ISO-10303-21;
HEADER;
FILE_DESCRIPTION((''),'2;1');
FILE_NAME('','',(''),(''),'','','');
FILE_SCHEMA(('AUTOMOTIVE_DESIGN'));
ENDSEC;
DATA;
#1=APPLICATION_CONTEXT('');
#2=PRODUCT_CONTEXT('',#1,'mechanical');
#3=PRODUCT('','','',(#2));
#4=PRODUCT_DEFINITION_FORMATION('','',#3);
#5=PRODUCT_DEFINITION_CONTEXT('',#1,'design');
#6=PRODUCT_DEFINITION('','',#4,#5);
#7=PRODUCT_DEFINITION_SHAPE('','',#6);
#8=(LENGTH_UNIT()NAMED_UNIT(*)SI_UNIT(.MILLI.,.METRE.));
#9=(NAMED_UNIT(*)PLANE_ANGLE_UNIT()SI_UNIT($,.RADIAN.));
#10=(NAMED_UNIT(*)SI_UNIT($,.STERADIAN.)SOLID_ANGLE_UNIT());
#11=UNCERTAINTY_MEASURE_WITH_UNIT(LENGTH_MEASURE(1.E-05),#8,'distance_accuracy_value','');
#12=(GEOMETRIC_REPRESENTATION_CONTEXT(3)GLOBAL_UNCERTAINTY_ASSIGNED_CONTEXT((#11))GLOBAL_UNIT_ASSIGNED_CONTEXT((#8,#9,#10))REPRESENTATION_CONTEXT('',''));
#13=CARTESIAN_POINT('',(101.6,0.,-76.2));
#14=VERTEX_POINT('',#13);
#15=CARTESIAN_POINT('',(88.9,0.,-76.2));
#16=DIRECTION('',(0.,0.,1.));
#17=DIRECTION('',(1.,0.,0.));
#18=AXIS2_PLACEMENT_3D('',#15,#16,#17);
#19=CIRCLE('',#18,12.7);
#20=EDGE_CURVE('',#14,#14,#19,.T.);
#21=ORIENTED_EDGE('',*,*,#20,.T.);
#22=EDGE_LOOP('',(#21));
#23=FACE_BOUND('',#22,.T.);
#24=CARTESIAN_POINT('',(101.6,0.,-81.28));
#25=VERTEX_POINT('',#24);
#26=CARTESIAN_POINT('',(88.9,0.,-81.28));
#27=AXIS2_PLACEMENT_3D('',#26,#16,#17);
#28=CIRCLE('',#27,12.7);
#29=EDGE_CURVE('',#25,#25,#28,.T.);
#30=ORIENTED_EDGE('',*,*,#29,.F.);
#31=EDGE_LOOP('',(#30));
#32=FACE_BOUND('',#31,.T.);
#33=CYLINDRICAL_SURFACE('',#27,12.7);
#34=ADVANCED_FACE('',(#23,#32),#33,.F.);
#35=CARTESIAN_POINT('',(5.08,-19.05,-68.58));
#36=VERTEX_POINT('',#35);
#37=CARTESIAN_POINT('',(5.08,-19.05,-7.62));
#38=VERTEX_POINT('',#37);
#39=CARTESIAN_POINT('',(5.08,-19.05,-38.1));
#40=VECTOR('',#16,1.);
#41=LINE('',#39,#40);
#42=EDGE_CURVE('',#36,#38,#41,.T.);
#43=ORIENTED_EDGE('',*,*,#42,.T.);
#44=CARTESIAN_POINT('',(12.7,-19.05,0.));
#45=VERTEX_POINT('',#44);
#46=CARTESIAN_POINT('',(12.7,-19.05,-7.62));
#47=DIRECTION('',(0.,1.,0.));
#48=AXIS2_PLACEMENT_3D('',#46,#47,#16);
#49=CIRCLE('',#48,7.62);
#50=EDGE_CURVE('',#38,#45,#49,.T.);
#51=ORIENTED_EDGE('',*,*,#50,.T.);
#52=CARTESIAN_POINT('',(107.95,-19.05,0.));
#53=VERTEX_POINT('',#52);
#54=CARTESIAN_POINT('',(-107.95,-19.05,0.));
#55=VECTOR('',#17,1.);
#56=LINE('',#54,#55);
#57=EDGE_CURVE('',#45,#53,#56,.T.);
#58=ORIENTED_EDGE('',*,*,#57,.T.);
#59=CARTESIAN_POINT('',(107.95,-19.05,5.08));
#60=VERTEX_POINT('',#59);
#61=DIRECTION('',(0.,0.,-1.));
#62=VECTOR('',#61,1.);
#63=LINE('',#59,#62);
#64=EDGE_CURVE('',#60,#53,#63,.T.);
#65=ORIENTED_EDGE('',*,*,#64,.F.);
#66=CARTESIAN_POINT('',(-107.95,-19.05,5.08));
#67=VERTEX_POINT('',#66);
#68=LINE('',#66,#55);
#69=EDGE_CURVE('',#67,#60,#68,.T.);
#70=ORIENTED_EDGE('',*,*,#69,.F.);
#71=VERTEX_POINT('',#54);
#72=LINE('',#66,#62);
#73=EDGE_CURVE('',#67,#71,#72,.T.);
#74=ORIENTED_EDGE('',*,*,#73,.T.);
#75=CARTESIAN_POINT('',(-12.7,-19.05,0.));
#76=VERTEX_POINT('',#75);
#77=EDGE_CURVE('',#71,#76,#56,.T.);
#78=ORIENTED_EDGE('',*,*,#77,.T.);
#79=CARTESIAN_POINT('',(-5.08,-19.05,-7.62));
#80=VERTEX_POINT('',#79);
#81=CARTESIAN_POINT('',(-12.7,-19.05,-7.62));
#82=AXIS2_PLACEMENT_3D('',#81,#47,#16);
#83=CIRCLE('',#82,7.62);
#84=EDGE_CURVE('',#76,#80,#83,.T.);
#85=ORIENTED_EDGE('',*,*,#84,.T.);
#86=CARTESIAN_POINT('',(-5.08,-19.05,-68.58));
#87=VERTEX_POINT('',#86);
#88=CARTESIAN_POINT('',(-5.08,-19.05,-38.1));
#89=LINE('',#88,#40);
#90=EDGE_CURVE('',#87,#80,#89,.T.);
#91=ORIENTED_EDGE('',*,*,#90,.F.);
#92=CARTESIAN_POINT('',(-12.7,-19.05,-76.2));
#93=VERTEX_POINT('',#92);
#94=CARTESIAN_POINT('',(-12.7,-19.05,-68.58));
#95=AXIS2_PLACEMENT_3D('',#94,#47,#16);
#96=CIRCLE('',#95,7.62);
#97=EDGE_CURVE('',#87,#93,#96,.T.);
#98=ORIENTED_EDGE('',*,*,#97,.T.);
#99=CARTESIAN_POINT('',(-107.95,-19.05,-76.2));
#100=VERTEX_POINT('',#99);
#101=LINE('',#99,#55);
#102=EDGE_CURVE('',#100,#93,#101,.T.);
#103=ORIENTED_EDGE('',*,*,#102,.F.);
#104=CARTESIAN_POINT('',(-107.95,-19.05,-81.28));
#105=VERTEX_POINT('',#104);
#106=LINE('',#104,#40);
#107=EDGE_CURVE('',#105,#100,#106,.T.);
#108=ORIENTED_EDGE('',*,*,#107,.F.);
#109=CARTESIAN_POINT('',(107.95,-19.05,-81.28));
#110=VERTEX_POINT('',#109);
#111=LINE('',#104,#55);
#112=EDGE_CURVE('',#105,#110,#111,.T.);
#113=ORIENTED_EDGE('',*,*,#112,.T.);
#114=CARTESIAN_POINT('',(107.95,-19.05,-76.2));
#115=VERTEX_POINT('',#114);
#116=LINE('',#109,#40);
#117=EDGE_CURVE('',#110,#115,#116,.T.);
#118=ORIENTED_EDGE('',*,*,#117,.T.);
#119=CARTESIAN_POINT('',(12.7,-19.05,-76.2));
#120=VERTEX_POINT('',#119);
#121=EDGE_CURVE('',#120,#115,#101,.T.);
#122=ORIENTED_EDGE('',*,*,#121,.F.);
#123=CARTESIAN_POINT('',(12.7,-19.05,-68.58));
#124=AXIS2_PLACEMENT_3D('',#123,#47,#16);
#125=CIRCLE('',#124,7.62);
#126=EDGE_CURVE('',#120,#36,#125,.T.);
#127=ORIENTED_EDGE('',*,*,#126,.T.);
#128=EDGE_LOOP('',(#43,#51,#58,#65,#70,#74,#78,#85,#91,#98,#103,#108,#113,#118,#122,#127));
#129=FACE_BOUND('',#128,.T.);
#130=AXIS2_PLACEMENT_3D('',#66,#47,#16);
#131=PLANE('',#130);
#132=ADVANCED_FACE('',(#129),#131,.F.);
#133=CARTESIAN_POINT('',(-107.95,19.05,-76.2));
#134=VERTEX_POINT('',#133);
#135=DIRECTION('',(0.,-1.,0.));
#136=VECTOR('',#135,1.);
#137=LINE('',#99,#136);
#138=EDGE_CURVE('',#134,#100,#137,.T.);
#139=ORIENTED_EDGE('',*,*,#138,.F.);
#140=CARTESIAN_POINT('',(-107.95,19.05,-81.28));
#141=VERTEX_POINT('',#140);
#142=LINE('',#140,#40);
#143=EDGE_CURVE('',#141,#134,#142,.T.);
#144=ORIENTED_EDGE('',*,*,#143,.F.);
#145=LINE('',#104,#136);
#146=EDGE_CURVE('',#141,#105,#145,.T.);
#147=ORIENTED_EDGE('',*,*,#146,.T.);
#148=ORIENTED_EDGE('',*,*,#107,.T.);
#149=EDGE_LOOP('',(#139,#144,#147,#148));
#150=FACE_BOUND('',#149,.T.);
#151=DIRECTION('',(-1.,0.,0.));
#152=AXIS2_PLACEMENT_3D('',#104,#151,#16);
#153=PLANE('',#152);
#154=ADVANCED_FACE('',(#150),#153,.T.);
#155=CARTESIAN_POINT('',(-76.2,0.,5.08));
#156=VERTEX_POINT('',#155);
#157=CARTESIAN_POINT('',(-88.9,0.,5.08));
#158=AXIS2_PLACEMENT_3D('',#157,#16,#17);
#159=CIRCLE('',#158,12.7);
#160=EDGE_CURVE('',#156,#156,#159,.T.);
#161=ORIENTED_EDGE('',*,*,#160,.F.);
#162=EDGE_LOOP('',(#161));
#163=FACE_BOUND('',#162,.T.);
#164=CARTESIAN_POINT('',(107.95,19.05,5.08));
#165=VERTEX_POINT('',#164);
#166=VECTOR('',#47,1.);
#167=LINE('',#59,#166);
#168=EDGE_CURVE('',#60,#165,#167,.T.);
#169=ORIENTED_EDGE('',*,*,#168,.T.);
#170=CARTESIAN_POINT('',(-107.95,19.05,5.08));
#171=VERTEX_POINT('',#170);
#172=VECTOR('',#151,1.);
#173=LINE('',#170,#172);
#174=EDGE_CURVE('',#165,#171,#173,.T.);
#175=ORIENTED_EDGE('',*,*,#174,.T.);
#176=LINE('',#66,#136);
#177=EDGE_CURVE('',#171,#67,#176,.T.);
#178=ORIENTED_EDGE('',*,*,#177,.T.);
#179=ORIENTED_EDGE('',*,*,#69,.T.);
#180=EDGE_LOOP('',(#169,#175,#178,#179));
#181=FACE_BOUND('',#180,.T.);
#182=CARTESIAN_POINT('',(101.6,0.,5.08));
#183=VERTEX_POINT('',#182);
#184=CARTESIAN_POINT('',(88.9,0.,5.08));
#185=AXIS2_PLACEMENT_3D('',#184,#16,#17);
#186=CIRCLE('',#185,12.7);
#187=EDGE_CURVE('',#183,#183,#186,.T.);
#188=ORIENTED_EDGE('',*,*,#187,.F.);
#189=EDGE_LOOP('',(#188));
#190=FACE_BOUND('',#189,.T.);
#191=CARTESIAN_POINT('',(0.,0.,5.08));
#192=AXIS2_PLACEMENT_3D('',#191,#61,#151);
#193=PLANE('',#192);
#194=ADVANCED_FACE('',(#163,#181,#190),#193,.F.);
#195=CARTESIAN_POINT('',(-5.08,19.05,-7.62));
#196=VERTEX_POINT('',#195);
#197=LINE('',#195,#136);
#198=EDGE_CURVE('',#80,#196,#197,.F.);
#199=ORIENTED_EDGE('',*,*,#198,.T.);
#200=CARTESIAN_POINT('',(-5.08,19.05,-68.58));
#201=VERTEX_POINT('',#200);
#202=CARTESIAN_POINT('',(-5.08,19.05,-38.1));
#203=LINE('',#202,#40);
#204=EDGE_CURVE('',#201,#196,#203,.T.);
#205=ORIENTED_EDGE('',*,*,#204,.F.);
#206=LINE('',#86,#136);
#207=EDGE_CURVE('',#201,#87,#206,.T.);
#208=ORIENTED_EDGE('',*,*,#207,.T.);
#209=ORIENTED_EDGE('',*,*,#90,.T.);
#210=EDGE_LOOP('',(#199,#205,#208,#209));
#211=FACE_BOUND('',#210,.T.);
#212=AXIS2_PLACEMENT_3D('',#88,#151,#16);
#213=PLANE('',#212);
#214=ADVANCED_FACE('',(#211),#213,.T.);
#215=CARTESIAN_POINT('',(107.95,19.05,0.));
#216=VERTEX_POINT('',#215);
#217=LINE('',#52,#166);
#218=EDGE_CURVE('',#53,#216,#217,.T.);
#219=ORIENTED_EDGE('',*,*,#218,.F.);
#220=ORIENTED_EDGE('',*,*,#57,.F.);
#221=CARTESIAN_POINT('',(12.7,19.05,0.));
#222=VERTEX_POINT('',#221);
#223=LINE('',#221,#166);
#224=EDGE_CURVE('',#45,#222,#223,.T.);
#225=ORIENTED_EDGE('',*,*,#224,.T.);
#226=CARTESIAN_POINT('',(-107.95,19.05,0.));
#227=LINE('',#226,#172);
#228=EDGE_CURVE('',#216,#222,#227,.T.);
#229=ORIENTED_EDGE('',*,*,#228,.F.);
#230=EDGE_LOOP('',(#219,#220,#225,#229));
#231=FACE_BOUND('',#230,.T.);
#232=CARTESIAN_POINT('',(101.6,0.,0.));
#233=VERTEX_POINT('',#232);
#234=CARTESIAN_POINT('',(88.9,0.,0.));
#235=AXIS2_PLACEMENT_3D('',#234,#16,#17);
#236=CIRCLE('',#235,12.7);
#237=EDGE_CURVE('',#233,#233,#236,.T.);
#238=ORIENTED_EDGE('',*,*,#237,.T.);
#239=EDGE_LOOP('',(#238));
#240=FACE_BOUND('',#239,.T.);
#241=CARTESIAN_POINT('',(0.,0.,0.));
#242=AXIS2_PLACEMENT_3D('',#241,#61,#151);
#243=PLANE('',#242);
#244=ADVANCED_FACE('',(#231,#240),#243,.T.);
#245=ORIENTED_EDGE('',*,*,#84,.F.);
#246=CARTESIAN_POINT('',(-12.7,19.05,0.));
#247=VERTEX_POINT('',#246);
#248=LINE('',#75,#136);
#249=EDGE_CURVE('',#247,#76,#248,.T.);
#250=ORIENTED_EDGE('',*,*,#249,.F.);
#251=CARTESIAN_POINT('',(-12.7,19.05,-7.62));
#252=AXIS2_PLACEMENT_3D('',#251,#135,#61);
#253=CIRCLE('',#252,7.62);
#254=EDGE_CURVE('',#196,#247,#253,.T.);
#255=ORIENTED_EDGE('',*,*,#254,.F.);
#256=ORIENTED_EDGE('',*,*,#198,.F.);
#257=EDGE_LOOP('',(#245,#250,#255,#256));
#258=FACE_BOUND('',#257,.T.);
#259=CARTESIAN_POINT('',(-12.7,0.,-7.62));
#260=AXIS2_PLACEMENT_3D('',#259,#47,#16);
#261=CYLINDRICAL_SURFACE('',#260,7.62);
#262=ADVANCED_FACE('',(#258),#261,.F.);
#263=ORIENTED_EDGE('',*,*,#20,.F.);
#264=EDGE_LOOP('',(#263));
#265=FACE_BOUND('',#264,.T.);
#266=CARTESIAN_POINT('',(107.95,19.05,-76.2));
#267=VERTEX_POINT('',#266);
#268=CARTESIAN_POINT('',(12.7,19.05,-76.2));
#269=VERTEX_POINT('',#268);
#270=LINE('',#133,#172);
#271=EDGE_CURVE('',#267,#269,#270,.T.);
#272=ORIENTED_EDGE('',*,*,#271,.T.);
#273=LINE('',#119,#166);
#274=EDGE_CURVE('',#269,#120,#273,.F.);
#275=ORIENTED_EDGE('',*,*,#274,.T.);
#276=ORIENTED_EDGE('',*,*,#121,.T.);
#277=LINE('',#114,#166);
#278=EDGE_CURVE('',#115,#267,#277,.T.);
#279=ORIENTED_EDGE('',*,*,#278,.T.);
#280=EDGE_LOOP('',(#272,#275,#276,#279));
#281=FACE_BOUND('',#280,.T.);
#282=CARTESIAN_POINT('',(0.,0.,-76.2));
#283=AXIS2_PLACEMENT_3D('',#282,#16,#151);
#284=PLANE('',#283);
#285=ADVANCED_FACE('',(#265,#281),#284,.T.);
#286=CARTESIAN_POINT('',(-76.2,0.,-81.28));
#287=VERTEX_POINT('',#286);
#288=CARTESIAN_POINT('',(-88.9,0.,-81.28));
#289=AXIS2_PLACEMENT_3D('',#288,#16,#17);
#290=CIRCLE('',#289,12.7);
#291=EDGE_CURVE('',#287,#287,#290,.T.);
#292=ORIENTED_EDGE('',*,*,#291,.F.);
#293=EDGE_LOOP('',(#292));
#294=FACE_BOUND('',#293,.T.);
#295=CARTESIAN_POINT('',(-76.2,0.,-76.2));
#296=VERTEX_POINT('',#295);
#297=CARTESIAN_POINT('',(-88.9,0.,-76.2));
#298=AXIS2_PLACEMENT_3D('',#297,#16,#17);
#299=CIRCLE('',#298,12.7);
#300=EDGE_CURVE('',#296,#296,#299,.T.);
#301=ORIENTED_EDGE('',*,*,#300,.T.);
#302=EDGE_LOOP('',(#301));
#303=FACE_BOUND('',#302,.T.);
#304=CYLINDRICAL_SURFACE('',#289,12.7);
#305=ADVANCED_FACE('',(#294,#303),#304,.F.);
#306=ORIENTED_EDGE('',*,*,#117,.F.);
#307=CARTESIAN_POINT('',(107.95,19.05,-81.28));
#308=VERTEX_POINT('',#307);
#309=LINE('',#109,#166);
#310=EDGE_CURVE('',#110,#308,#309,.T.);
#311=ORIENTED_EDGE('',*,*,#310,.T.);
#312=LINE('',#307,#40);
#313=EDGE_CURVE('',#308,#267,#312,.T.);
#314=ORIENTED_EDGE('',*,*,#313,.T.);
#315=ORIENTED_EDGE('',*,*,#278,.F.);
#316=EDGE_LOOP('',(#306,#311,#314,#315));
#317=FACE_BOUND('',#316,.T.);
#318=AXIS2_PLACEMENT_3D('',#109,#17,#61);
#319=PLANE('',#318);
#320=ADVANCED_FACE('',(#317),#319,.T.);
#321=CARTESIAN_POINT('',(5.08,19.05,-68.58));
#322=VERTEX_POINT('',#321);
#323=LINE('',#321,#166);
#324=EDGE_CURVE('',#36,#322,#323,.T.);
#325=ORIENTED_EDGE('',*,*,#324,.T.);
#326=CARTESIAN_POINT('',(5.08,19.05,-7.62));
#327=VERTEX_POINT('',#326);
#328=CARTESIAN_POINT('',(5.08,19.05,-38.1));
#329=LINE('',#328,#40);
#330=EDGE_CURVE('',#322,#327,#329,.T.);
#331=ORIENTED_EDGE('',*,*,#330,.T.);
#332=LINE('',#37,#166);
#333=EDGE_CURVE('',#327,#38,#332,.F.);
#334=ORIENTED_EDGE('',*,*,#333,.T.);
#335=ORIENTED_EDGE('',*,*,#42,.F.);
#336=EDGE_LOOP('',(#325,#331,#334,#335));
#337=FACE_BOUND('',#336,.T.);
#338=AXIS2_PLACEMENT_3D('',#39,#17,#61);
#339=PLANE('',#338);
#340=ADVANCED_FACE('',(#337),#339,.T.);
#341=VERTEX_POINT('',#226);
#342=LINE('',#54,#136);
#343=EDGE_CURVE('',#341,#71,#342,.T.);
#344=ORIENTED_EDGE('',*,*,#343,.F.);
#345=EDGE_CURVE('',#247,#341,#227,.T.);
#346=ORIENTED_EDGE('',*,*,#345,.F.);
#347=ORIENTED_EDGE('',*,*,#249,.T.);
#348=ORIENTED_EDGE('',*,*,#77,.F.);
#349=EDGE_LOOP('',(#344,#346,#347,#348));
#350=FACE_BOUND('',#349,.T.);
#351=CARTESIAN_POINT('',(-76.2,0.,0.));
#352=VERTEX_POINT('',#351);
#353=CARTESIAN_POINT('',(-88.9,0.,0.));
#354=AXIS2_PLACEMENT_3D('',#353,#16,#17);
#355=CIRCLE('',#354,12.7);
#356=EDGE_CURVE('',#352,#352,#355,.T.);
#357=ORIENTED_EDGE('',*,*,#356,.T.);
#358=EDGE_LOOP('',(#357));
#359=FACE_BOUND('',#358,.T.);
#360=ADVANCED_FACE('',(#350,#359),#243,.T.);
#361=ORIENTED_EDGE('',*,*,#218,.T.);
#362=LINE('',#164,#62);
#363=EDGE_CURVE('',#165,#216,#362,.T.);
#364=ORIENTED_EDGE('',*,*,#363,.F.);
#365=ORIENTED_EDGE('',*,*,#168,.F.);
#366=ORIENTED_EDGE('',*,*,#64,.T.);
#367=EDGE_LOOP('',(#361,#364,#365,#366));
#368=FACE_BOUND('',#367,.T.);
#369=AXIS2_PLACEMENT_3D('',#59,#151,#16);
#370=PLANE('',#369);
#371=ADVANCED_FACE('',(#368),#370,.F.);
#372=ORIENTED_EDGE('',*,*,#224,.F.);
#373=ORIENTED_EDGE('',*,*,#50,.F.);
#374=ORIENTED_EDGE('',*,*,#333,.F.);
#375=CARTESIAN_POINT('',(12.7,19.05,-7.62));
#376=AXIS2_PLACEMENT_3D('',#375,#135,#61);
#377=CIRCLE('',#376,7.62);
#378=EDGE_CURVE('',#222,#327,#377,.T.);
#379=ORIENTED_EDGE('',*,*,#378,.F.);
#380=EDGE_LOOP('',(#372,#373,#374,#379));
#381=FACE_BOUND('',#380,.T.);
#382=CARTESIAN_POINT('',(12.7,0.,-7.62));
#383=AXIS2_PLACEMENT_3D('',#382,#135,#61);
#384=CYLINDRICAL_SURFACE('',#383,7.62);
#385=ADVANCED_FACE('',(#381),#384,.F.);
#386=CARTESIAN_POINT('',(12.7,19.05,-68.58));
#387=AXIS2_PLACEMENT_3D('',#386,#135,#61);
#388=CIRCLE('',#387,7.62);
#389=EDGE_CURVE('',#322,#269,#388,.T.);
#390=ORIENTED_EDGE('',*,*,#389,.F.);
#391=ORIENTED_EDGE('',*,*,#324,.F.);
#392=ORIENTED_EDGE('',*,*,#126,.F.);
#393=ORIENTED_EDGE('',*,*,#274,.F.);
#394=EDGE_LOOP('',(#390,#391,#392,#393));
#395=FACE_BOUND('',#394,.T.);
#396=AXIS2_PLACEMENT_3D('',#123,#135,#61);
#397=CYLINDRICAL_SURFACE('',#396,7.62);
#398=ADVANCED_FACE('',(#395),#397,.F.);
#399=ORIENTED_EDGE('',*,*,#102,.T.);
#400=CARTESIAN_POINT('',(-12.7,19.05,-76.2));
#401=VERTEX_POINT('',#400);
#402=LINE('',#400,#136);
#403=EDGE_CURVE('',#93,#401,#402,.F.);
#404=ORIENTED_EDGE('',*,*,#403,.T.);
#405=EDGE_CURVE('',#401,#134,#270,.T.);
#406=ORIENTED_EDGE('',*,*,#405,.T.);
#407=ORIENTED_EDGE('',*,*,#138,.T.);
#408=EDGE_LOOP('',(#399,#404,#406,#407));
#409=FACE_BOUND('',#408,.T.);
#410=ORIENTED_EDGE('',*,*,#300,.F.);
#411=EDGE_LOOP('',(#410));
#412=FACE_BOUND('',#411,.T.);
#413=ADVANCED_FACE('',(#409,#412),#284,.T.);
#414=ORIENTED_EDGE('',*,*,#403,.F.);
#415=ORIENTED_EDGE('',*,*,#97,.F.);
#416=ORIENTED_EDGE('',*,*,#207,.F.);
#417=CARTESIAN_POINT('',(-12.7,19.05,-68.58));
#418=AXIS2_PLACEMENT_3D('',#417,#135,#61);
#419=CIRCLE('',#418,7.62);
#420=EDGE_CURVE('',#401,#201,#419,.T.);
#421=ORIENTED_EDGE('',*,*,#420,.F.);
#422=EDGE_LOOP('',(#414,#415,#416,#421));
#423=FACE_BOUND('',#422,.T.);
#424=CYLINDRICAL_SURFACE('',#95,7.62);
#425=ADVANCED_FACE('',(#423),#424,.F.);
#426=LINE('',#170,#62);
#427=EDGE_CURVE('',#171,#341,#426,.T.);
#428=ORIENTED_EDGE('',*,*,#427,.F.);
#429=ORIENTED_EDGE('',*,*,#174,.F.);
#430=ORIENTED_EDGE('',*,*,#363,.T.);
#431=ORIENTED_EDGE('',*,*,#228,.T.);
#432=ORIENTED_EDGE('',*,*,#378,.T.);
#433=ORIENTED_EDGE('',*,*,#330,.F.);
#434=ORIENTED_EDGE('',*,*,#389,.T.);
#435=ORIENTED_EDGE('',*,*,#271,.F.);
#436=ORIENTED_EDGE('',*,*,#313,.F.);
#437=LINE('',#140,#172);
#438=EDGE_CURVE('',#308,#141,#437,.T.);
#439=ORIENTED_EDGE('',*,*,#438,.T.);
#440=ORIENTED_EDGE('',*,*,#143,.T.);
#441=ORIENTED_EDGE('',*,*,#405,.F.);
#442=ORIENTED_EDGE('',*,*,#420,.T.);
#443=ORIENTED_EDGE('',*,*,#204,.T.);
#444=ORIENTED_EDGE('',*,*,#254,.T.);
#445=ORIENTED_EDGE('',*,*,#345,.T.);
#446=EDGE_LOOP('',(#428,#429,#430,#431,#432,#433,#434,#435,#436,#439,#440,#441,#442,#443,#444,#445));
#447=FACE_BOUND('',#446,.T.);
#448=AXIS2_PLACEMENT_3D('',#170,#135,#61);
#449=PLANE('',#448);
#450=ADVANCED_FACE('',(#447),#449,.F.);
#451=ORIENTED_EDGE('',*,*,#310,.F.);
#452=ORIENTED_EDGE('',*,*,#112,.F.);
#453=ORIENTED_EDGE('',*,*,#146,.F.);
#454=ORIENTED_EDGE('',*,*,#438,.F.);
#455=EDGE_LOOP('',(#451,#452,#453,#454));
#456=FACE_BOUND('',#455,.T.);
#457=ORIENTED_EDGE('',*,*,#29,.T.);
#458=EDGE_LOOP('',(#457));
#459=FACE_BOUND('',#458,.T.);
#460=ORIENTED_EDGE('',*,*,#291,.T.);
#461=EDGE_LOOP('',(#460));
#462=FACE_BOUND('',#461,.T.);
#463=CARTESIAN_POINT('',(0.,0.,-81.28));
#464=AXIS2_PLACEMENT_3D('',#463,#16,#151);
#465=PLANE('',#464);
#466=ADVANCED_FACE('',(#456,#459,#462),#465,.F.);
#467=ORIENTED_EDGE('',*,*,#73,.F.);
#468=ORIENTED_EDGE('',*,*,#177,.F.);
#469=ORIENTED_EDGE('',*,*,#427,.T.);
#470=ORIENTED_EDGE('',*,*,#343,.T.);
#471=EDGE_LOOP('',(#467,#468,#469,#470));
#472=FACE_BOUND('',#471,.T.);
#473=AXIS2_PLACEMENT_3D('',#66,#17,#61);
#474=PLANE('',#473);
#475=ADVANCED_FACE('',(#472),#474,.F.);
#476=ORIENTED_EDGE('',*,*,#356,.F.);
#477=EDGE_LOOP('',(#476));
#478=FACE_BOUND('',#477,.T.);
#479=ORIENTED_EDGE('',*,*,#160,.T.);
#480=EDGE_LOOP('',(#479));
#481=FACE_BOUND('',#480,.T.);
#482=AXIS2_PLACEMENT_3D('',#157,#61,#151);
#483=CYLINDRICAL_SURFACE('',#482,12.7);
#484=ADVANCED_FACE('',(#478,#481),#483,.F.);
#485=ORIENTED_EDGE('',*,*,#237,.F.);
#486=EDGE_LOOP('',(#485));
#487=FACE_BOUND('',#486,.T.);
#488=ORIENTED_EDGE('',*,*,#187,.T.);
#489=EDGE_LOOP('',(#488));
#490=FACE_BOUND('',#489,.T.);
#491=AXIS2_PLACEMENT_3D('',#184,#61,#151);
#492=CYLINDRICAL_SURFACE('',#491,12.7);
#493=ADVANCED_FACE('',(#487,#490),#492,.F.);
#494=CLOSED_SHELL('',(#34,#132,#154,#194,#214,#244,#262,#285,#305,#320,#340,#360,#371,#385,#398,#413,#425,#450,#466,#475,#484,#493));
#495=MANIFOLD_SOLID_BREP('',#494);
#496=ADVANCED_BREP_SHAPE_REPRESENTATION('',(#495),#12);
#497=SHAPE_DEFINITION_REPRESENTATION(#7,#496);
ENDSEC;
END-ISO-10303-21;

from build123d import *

# Parameters (mm, degrees)
SKETCH1_W           = 215.9
SKETCH1_H           = 38.1
BOSS_EXTRUDE1_DEPTH = 5.08
SKETCH2_R           = 12.7
CUT_EXTRUDE1_DEPTH  = 110.735643252
SKETCH3_W           = 10.16
SKETCH3_H           = 38.1
BOSS_EXTRUDE2_DEPTH = 38.1
FILLET1_R           = 7.62


with BuildPart() as part:
    # Sketch1 → Boss-Extrude1 (new body)
    with BuildSketch(Plane.XY):
        Rectangle(SKETCH1_W, SKETCH1_H)
    boss_extrude1 = extrude(amount=BOSS_EXTRUDE1_DEPTH)

    # Sketch2 → Cut-Extrude1 (cut, through all)
    with BuildSketch(Plane.XY):
        with Locations((-88.9, 0)):
            Circle(SKETCH2_R)
        with Locations((88.9, 0)):
            Circle(SKETCH2_R)
    cut_extrude1 = extrude(amount=CUT_EXTRUDE1_DEPTH, mode=Mode.SUBTRACT)

    # Sketch3 → Boss-Extrude2 (add)
    with BuildSketch(Plane.XY):
        Rectangle(SKETCH3_W, SKETCH3_H)
    boss_extrude2 = extrude(amount=-BOSS_EXTRUDE2_DEPTH)

    # Mirror2: Boss-Extrude2 across plane
    add(boss_extrude2.mirror(Plane(origin=(0, 0, -38.1), x_dir=(1, 0, 0), z_dir=(0, 0, -1))))

    # Mirror3: Boss-Extrude1, Cut-Extrude1 across plane
    add(boss_extrude1.mirror(Plane(origin=(0, 0, -38.1), x_dir=(1, 0, 0), z_dir=(0, 0, -1))))
    add(cut_extrude1.mirror(Plane(origin=(0, 0, -38.1), x_dir=(1, 0, 0), z_dir=(0, 0, -1))), mode=Mode.SUBTRACT)

    # Fillet1
    fillet1_edges = [part.edges().sort_by_distance(p)[0] for p in [
        (5.08, 0, 0),
        (-5.08, 0, 0),
        (5.08, 0, -76.2),
        (-5.08, 0, -76.2),
    ]]
    fillet(fillet1_edges, radius=FILLET1_R)


solid = part.part
